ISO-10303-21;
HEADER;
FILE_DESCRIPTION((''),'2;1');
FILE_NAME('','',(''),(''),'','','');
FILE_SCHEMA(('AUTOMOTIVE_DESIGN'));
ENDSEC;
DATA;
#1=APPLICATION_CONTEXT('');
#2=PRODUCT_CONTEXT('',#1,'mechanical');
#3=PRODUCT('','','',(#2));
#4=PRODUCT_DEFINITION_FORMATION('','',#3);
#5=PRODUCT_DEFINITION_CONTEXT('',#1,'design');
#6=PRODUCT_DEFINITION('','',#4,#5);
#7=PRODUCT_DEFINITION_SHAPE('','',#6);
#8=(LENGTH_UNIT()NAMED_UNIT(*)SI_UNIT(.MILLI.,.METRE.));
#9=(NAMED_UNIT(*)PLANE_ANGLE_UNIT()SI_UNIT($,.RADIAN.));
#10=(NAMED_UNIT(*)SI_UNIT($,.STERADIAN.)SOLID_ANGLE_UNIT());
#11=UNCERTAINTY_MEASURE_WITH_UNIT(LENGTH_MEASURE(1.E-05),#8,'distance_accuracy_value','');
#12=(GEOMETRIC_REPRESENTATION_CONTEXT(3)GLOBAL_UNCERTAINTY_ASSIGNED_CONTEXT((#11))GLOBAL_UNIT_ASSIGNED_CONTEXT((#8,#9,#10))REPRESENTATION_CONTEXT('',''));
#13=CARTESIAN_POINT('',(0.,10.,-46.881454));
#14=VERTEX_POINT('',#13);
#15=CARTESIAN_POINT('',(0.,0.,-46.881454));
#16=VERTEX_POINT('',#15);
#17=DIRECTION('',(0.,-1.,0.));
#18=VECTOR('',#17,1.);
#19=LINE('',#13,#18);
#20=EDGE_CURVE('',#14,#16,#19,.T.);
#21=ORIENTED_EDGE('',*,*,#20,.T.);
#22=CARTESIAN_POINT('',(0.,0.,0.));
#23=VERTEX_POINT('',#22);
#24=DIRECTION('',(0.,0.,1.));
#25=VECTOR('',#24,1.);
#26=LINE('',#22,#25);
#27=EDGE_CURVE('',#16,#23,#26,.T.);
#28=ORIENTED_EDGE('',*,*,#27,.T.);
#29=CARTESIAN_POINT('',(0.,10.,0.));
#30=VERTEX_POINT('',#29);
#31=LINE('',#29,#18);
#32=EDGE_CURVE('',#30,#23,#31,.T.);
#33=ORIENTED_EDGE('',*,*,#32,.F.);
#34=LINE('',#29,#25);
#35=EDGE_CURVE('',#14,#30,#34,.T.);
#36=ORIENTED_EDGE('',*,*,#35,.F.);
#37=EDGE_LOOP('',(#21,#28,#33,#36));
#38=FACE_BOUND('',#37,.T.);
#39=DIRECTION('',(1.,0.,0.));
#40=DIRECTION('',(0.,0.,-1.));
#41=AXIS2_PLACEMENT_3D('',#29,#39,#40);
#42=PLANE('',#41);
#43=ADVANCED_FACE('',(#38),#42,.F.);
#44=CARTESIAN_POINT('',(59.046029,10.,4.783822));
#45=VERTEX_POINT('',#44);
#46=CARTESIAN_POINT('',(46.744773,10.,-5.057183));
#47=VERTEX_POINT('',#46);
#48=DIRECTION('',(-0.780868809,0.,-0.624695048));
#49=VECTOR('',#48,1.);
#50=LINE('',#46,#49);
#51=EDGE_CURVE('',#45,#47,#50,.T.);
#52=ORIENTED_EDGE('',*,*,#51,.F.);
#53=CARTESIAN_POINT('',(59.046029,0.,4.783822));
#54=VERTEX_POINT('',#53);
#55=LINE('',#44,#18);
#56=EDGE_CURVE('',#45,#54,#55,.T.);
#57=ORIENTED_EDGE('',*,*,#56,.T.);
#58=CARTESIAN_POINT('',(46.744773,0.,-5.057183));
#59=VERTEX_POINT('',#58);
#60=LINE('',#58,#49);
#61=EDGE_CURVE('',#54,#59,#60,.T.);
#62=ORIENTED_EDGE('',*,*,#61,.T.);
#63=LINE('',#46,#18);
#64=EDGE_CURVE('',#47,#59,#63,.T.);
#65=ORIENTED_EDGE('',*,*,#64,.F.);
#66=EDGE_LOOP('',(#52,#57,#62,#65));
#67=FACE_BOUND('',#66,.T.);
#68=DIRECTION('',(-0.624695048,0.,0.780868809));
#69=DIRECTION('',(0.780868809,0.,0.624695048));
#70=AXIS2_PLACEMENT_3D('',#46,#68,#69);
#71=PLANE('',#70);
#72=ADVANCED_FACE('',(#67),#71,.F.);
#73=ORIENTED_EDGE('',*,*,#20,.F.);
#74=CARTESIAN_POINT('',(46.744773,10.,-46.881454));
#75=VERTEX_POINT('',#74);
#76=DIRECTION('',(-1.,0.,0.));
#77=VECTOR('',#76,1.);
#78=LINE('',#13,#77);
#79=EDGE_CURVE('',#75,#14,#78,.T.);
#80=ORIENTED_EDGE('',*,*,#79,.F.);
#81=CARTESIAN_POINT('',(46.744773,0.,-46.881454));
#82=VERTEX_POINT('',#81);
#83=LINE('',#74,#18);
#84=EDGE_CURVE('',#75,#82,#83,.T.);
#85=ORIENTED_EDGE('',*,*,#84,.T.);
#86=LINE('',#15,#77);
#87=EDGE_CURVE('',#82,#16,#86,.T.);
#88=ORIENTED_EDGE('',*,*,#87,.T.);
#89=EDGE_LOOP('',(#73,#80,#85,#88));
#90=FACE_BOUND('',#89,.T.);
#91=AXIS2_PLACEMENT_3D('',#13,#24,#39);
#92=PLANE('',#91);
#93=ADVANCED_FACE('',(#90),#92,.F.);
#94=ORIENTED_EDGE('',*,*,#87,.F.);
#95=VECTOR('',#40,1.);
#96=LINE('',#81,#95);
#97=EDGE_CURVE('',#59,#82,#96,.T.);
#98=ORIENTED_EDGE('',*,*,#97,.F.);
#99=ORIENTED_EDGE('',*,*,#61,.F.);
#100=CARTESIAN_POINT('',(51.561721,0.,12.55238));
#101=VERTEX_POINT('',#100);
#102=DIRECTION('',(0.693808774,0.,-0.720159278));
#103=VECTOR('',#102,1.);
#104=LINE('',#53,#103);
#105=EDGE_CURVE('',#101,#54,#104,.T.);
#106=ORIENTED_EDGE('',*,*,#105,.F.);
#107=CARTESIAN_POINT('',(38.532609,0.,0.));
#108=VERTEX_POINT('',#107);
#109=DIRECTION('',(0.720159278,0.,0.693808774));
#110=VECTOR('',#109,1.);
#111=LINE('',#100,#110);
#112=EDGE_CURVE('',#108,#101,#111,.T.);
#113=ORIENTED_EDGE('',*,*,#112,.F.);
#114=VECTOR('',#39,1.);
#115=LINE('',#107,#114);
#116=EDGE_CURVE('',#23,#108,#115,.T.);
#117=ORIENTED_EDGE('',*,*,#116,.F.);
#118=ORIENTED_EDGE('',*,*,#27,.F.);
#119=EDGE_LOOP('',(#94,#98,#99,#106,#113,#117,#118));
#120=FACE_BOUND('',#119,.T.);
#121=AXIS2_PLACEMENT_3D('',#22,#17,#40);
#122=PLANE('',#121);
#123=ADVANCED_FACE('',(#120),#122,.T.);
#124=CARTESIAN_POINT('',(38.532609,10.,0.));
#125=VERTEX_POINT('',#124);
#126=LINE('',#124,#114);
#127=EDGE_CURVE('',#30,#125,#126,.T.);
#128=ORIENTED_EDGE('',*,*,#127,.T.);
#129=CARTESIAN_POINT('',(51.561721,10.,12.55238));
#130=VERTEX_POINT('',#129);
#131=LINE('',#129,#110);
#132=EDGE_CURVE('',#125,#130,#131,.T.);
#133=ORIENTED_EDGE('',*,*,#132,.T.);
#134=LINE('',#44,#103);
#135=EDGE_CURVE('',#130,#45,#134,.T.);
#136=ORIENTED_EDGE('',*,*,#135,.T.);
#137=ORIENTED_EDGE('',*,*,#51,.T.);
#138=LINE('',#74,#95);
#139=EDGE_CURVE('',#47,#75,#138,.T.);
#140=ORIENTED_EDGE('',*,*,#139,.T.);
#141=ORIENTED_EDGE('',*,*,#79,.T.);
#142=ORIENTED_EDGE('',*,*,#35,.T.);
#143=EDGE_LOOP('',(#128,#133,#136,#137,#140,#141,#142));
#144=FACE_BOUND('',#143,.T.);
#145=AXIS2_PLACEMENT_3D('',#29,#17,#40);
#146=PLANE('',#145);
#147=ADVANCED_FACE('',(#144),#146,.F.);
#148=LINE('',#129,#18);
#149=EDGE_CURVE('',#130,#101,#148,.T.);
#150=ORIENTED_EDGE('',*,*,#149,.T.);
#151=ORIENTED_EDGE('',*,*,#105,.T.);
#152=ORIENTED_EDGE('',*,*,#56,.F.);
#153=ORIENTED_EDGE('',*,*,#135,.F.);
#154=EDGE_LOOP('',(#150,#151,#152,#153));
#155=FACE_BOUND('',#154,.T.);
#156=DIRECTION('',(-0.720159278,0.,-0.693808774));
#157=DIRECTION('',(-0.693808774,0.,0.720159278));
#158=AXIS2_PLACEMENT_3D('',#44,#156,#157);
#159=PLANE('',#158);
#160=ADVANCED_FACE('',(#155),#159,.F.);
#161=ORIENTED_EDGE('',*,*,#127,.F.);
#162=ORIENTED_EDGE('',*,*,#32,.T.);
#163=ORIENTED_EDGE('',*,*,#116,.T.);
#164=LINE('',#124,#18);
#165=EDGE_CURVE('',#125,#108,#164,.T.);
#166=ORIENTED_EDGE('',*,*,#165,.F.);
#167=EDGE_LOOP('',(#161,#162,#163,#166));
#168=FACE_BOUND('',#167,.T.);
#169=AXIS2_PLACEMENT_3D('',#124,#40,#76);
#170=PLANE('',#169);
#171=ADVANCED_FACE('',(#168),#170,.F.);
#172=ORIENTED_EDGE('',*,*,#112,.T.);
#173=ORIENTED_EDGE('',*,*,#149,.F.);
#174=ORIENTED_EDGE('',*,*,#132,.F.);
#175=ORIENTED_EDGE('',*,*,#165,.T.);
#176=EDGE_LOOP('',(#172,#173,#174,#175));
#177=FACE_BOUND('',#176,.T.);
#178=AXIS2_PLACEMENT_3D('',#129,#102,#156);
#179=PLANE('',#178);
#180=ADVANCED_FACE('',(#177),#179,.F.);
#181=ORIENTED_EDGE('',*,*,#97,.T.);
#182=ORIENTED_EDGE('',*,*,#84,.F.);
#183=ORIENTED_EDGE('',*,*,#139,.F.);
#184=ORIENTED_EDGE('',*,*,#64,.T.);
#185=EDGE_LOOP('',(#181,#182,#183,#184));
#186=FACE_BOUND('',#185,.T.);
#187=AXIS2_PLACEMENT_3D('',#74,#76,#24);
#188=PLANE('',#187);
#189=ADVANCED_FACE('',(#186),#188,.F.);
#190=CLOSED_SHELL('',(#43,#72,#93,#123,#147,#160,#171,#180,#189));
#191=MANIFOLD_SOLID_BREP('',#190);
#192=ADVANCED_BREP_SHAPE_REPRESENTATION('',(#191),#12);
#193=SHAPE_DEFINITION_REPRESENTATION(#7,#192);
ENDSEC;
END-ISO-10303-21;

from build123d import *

# Parameters (mm, degrees)
BOSS_EXTRUDE1_DEPTH = 10


with BuildPart() as part:
    # Sketch1 → Boss-Extrude1 (new body)
    with BuildSketch(Plane(origin=(0, 0, 0), x_dir=(1, 0, 0), z_dir=(0, 1, 0))):
        Polygon((0, 0), (0, 46.881453643), (46.74477302, 46.881453643), (46.74477302, 5.057183046), (59.046029078, -4.7838218), (51.5617213, -12.552379779), (38.532608525, 0), align=None)
    extrude(amount=BOSS_EXTRUDE1_DEPTH)


solid = part.part
